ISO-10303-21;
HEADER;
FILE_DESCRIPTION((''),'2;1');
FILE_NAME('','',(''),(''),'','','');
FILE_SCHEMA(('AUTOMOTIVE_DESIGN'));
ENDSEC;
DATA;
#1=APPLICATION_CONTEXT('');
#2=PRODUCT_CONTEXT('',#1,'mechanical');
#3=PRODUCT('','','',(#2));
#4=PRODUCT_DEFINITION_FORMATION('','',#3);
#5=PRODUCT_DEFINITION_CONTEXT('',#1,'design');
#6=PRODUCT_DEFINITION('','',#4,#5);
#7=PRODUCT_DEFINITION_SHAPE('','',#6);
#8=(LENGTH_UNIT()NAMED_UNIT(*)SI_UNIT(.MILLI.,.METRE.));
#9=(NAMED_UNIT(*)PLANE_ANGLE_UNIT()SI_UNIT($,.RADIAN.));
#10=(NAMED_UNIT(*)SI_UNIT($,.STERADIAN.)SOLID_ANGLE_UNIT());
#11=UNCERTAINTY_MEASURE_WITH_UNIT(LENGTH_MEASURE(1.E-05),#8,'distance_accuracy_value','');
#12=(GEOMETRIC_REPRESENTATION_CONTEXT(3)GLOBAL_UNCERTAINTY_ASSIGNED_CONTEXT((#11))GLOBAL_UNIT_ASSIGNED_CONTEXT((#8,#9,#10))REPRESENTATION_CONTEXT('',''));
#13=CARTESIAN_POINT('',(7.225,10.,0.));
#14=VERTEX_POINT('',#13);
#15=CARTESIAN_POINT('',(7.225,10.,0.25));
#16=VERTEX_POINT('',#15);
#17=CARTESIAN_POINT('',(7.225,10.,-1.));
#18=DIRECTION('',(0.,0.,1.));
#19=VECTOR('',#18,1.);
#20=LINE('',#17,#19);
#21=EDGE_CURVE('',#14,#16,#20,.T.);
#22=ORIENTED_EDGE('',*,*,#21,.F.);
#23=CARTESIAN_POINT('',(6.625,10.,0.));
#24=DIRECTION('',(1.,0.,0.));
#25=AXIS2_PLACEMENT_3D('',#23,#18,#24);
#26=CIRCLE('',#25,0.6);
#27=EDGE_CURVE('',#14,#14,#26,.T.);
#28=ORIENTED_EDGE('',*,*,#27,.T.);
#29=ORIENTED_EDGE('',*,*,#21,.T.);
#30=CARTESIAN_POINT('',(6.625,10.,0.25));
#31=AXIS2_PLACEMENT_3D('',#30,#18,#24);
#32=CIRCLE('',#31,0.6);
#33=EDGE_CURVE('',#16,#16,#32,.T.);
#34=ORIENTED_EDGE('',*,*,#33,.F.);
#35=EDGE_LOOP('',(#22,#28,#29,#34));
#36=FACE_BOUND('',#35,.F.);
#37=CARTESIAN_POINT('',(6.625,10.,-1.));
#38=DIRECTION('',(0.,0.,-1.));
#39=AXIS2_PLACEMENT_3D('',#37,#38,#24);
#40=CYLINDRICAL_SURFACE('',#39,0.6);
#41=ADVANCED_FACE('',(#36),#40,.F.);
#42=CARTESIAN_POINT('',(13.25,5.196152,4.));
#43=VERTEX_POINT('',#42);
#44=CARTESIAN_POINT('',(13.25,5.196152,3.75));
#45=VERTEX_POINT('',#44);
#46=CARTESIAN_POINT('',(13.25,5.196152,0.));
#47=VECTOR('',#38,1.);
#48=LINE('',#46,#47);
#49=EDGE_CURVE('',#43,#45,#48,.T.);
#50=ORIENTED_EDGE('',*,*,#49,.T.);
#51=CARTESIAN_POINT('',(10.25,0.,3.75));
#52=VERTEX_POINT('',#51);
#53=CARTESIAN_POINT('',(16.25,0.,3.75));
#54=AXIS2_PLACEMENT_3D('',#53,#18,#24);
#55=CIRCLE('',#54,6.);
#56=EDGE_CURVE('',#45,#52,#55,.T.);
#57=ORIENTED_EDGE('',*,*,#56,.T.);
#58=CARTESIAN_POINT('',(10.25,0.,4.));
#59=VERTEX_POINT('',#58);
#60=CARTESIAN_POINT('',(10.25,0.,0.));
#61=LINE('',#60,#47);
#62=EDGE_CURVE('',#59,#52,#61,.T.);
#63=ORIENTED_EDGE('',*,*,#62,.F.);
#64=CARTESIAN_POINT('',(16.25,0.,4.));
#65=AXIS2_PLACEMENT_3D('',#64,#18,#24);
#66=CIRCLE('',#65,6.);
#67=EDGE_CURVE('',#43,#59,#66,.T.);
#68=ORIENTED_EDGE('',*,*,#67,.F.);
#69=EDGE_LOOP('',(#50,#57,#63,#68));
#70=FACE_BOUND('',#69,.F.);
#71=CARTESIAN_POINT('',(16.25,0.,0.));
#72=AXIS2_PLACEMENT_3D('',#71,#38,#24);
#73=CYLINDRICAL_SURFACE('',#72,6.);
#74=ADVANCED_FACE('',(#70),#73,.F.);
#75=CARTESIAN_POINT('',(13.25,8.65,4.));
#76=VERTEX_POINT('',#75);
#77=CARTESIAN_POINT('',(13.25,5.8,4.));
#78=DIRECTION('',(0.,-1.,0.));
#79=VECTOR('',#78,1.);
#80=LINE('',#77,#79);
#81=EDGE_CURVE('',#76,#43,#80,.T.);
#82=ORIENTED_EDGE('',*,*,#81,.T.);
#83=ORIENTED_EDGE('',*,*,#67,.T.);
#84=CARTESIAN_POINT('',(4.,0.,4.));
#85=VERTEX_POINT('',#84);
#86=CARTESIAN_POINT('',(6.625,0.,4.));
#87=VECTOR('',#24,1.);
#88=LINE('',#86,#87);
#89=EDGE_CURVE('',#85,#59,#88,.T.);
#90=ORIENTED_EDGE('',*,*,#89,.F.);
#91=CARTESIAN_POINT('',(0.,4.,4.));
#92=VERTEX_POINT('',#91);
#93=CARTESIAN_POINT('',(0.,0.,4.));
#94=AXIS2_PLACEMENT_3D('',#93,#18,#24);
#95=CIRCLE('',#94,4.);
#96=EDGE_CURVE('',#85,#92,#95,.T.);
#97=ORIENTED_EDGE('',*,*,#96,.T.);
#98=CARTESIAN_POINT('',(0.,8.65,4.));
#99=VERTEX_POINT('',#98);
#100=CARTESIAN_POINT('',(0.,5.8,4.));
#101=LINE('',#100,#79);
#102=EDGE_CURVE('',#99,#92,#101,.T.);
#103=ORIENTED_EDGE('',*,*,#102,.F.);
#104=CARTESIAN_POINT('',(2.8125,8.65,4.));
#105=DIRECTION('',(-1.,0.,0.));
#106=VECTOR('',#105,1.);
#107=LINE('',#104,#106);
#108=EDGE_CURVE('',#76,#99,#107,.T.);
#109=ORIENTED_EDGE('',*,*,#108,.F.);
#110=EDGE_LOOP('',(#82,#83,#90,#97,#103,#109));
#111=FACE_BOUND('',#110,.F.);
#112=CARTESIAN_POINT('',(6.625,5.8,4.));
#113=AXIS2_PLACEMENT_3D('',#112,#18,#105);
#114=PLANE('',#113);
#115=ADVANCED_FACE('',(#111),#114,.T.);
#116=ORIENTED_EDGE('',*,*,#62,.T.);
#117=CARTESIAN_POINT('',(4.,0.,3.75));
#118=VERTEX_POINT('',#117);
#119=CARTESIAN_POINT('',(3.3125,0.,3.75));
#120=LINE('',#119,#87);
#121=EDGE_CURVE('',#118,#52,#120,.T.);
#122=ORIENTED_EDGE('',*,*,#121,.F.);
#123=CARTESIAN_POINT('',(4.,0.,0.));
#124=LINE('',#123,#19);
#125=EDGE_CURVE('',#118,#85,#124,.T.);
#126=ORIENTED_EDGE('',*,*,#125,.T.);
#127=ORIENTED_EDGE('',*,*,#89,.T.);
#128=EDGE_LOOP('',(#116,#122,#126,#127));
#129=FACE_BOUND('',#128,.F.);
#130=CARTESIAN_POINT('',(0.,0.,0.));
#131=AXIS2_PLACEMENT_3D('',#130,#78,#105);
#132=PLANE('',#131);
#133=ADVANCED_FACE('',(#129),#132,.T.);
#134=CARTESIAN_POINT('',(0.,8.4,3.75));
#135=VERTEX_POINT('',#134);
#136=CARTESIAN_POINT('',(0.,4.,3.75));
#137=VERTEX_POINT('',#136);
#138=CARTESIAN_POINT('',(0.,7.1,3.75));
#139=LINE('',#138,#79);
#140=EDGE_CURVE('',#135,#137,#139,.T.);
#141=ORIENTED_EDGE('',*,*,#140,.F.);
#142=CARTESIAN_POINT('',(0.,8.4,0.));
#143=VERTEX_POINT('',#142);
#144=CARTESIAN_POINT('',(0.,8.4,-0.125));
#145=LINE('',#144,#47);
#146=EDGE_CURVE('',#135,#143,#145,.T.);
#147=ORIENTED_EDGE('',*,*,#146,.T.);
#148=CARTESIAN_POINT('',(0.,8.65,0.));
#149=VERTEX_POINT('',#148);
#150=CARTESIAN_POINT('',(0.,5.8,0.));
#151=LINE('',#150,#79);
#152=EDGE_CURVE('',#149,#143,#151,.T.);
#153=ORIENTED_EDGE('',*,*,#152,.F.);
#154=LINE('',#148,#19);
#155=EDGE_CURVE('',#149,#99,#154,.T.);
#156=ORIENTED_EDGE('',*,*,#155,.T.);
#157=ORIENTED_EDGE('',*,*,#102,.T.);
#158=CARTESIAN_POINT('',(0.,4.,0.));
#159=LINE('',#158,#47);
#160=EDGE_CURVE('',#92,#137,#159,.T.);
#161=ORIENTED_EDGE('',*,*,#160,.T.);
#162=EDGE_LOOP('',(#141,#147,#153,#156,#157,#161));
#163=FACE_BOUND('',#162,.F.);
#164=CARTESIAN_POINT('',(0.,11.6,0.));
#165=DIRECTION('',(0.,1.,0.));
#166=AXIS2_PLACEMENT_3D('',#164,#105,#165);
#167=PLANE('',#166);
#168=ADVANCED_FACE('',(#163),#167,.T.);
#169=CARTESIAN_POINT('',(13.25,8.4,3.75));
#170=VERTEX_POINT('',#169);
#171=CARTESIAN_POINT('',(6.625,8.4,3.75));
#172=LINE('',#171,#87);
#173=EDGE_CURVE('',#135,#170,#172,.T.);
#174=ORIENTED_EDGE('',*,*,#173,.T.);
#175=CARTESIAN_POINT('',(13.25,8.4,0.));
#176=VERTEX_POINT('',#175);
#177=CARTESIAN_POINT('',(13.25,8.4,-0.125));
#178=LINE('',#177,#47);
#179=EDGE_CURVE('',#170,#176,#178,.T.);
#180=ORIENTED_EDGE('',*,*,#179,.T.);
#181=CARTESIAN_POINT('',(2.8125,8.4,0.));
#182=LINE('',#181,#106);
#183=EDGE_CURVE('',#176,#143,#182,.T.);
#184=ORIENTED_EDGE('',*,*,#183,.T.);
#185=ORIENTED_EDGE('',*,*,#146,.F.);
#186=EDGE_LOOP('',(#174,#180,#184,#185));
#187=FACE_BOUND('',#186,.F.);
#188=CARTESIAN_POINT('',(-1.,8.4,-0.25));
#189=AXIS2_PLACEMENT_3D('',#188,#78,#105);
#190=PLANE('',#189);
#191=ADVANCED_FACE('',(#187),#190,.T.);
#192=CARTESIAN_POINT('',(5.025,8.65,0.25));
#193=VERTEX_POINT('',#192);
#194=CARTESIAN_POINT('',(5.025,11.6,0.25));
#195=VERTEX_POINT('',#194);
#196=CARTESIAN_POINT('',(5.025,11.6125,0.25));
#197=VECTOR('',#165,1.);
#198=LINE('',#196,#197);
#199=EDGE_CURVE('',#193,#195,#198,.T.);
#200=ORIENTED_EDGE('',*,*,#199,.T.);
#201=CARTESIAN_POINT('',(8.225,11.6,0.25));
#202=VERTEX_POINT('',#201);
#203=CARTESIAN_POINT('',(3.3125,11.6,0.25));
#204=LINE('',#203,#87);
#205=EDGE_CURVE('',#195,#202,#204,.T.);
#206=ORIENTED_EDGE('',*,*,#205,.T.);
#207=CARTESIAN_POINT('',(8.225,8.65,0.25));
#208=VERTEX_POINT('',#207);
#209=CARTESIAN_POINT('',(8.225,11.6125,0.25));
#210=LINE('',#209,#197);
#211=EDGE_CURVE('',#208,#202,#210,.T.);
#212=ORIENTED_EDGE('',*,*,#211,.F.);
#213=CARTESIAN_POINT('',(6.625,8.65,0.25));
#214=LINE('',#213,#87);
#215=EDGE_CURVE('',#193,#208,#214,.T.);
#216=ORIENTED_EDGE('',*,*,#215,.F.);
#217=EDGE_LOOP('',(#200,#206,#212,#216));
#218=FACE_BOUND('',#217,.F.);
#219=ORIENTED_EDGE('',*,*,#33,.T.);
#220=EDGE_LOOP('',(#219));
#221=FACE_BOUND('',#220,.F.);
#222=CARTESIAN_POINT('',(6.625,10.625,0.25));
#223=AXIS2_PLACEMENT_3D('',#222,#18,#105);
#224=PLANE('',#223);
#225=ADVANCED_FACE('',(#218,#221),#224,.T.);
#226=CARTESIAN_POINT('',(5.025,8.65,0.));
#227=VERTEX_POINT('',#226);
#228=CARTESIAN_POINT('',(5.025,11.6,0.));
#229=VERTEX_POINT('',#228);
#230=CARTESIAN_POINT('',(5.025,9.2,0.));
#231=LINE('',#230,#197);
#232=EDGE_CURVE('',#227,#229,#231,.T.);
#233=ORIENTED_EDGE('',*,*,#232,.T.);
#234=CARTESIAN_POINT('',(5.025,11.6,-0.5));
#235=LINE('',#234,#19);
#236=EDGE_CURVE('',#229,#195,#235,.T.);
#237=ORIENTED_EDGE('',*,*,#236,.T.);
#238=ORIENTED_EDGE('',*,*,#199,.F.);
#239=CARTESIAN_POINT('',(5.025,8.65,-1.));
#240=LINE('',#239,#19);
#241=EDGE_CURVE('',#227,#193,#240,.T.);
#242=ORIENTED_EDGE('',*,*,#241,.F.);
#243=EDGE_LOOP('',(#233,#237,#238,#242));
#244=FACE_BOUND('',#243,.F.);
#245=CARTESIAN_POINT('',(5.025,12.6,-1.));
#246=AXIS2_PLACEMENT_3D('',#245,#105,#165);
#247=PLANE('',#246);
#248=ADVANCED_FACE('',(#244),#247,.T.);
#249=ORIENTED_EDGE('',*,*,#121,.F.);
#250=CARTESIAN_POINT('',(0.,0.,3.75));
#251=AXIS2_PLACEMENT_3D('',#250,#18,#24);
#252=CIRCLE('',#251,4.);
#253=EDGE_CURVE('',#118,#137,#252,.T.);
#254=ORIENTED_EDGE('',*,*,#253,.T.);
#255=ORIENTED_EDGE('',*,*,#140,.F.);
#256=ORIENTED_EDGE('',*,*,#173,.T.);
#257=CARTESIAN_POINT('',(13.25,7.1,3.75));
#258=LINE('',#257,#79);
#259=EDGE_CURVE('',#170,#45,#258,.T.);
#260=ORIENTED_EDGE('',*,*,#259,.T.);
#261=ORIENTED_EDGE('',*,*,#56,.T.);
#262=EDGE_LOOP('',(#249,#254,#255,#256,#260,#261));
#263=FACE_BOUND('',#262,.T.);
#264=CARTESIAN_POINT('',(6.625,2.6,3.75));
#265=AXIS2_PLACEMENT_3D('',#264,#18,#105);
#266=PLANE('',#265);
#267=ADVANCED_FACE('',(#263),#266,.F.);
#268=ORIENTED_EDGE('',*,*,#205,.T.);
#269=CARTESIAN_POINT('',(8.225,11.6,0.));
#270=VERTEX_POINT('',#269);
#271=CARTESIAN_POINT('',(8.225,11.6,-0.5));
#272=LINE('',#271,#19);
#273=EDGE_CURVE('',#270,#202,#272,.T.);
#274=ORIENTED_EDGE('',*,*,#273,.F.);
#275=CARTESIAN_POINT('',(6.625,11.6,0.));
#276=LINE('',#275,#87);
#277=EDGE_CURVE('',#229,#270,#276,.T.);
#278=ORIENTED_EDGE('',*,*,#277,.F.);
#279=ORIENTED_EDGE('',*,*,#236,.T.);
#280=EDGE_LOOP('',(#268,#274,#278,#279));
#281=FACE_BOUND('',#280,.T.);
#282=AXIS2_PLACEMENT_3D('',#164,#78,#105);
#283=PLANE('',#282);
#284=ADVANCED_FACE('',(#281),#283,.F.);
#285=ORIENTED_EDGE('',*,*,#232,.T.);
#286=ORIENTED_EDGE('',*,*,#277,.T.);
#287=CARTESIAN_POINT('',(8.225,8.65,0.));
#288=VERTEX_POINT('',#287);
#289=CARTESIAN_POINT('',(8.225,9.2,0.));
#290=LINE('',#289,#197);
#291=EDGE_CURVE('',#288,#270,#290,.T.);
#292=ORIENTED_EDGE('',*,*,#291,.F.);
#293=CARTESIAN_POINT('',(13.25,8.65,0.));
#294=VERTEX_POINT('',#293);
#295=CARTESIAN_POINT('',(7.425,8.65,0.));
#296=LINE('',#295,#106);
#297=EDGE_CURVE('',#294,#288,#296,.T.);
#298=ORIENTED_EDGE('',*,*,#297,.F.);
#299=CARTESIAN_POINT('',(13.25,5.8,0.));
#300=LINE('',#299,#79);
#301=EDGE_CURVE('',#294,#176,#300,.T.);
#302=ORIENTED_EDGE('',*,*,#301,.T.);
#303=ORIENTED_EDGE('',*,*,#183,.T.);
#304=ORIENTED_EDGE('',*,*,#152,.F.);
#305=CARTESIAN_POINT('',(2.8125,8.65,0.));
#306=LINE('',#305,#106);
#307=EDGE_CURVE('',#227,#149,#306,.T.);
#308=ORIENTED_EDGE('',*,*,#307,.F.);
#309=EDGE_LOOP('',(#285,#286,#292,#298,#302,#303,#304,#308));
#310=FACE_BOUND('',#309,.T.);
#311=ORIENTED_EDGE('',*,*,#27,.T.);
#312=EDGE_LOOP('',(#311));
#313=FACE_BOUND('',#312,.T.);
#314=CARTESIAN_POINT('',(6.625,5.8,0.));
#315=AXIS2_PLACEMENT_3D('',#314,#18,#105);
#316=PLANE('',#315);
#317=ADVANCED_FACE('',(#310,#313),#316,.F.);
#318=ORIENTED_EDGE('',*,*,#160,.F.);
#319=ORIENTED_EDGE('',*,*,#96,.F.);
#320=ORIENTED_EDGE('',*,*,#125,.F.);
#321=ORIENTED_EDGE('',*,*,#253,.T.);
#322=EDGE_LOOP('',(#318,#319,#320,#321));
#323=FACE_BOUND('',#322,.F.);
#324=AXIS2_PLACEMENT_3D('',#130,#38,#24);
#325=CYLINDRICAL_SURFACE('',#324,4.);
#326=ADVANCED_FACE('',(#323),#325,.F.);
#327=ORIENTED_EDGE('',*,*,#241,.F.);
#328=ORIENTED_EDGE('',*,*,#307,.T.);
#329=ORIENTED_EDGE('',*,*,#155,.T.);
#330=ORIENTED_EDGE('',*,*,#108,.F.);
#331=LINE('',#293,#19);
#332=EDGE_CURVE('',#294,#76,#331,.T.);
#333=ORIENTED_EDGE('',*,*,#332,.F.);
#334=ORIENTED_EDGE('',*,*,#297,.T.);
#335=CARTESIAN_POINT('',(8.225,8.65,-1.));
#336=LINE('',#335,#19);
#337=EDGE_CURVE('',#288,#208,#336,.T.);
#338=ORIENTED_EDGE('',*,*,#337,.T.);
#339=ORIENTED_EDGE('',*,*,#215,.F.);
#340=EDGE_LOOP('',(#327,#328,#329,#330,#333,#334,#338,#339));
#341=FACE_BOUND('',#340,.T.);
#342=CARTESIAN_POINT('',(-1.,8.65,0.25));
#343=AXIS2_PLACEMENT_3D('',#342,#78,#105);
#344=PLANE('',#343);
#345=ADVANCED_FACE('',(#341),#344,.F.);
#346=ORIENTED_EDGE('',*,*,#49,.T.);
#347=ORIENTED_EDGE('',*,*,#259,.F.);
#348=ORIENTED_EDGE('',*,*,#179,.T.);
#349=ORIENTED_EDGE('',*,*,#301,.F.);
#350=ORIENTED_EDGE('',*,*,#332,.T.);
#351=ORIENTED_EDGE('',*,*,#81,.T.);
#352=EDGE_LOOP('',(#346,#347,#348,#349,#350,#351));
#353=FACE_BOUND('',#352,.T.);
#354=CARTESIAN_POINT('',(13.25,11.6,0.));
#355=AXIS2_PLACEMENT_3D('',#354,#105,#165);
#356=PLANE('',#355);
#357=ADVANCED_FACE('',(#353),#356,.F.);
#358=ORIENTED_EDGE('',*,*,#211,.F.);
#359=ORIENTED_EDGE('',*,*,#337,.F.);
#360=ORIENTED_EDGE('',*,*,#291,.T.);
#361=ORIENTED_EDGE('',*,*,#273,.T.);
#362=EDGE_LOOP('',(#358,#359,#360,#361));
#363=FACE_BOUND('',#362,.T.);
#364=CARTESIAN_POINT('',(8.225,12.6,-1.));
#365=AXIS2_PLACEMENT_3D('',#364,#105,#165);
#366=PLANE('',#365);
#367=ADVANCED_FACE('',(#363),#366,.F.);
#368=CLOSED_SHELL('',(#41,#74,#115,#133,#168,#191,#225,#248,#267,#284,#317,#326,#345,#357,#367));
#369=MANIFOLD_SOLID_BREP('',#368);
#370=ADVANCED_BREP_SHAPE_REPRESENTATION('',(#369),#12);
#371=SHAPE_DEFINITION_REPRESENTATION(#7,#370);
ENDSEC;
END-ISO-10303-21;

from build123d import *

# Parameters (mm, degrees)
CYLINDER005_R     = 0.6
CYLINDER005_DEPTH = 4
CYLINDER004_R     = 6
CYLINDER004_DEPTH = 6
CYLINDER003_R     = 4
CYLINDER003_DEPTH = 6
CUBE009_W         = 6.025
CUBE009_H         = 3.95
CUBE009_DEPTH     = 4
CUBE008_W         = 6.025
CUBE008_H         = 3.95
CUBE008_DEPTH     = 4
CUBE007_W         = 15.25
CUBE007_H         = 11.6
CUBE007_DEPTH     = 4
CUBE006_W         = 15.25
CUBE006_H         = 3.95
CUBE006_DEPTH     = 4
CUBE005_W         = 13.25
CUBE005_H         = 11.6
CUBE005_DEPTH     = 4


with BuildPart() as cylinder005:
    # cylinder005 → cylinder005 (new body)
    with BuildSketch(Plane(origin=(6.625, -10, -1), x_dir=(1, 0, 0), z_dir=(0, 0, 1))):
        Circle(CYLINDER005_R)
    extrude(amount=CYLINDER005_DEPTH)


with BuildPart() as cylinder004:
    # cylinder004 → cylinder004 (new body)
    with BuildSketch(Plane(origin=(16.25, 0, 0), x_dir=(1, 0, 0), z_dir=(0, 0, 1))):
        Circle(CYLINDER004_R)
    extrude(amount=CYLINDER004_DEPTH)


with BuildPart() as cylinder003:
    # cylinder003 → cylinder003 (new body)
    with BuildSketch(Plane.XY):
        Circle(CYLINDER003_R)
    extrude(amount=CYLINDER003_DEPTH)


with BuildPart() as cube009:
    # cube009 → cube009 (new body)
    with BuildSketch(Plane(origin=(8.225, -12.6, -1), x_dir=(1, 0, 0), z_dir=(0, 0, 1))):
        with Locations((3.0125, 1.975)):
            Rectangle(CUBE009_W, CUBE009_H)
    extrude(amount=CUBE009_DEPTH)


with BuildPart() as cube008:
    # cube008 → cube008 (new body)
    with BuildSketch(Plane(origin=(-1, -12.6, -1), x_dir=(1, 0, 0), z_dir=(0, 0, 1))):
        with Locations((3.0125, 1.975)):
            Rectangle(CUBE008_W, CUBE008_H)
    extrude(amount=CUBE008_DEPTH)


with BuildPart() as cube007:
    # cube007 → cube007 (new body)
    with BuildSketch(Plane(origin=(-1, -8.4, -0.25), x_dir=(1, 0, 0), z_dir=(0, 0, 1))):
        with Locations((7.625, 5.8)):
            Rectangle(CUBE007_W, CUBE007_H)
    extrude(amount=CUBE007_DEPTH)


with BuildPart() as cube006:
    # cube006 → cube006 (new body)
    with BuildSketch(Plane(origin=(-1, -1, 0.25), x_dir=(1, 0, 0), z_dir=(0, 0, 1))):
        with Locations((7.625, 1.975)):
            Rectangle(CUBE006_W, CUBE006_H)
    extrude(amount=CUBE006_DEPTH)


with BuildPart() as difference013:
    # cube005 → cube005 (new body)
    with BuildSketch(Plane.XY):
        with Locations((6.625, 5.8)):
            Rectangle(CUBE005_W, CUBE005_H)
    extrude(amount=CUBE005_DEPTH)

    # difference007: cut cube006
    add(cube006.part, mode=Mode.SUBTRACT)


with BuildPart() as difference013_1:
    # difference007 placement: moved
    add(difference013.part.moved(Location((0, -11.6, 0))))

    # difference008: cut cube007
    add(cube007.part, mode=Mode.SUBTRACT)

    # difference009: cut cube008
    add(cube008.part, mode=Mode.SUBTRACT)

    # difference010: cut cube009
    add(cube009.part, mode=Mode.SUBTRACT)

    # difference011: cut cylinder003
    add(cylinder003.part, mode=Mode.SUBTRACT)

    # difference012: cut cylinder004
    add(cylinder004.part, mode=Mode.SUBTRACT)

    # difference013: cut cylinder005
    add(cylinder005.part, mode=Mode.SUBTRACT)


with BuildPart() as mirrored_difference013:
    # mirr_difference013: instance of difference013
    add(difference013_1.part.mirror(Plane(origin=(0, 0, 0), x_dir=(1, 0, 0), z_dir=(0, 1, 0))))


solid = mirrored_difference013.part
